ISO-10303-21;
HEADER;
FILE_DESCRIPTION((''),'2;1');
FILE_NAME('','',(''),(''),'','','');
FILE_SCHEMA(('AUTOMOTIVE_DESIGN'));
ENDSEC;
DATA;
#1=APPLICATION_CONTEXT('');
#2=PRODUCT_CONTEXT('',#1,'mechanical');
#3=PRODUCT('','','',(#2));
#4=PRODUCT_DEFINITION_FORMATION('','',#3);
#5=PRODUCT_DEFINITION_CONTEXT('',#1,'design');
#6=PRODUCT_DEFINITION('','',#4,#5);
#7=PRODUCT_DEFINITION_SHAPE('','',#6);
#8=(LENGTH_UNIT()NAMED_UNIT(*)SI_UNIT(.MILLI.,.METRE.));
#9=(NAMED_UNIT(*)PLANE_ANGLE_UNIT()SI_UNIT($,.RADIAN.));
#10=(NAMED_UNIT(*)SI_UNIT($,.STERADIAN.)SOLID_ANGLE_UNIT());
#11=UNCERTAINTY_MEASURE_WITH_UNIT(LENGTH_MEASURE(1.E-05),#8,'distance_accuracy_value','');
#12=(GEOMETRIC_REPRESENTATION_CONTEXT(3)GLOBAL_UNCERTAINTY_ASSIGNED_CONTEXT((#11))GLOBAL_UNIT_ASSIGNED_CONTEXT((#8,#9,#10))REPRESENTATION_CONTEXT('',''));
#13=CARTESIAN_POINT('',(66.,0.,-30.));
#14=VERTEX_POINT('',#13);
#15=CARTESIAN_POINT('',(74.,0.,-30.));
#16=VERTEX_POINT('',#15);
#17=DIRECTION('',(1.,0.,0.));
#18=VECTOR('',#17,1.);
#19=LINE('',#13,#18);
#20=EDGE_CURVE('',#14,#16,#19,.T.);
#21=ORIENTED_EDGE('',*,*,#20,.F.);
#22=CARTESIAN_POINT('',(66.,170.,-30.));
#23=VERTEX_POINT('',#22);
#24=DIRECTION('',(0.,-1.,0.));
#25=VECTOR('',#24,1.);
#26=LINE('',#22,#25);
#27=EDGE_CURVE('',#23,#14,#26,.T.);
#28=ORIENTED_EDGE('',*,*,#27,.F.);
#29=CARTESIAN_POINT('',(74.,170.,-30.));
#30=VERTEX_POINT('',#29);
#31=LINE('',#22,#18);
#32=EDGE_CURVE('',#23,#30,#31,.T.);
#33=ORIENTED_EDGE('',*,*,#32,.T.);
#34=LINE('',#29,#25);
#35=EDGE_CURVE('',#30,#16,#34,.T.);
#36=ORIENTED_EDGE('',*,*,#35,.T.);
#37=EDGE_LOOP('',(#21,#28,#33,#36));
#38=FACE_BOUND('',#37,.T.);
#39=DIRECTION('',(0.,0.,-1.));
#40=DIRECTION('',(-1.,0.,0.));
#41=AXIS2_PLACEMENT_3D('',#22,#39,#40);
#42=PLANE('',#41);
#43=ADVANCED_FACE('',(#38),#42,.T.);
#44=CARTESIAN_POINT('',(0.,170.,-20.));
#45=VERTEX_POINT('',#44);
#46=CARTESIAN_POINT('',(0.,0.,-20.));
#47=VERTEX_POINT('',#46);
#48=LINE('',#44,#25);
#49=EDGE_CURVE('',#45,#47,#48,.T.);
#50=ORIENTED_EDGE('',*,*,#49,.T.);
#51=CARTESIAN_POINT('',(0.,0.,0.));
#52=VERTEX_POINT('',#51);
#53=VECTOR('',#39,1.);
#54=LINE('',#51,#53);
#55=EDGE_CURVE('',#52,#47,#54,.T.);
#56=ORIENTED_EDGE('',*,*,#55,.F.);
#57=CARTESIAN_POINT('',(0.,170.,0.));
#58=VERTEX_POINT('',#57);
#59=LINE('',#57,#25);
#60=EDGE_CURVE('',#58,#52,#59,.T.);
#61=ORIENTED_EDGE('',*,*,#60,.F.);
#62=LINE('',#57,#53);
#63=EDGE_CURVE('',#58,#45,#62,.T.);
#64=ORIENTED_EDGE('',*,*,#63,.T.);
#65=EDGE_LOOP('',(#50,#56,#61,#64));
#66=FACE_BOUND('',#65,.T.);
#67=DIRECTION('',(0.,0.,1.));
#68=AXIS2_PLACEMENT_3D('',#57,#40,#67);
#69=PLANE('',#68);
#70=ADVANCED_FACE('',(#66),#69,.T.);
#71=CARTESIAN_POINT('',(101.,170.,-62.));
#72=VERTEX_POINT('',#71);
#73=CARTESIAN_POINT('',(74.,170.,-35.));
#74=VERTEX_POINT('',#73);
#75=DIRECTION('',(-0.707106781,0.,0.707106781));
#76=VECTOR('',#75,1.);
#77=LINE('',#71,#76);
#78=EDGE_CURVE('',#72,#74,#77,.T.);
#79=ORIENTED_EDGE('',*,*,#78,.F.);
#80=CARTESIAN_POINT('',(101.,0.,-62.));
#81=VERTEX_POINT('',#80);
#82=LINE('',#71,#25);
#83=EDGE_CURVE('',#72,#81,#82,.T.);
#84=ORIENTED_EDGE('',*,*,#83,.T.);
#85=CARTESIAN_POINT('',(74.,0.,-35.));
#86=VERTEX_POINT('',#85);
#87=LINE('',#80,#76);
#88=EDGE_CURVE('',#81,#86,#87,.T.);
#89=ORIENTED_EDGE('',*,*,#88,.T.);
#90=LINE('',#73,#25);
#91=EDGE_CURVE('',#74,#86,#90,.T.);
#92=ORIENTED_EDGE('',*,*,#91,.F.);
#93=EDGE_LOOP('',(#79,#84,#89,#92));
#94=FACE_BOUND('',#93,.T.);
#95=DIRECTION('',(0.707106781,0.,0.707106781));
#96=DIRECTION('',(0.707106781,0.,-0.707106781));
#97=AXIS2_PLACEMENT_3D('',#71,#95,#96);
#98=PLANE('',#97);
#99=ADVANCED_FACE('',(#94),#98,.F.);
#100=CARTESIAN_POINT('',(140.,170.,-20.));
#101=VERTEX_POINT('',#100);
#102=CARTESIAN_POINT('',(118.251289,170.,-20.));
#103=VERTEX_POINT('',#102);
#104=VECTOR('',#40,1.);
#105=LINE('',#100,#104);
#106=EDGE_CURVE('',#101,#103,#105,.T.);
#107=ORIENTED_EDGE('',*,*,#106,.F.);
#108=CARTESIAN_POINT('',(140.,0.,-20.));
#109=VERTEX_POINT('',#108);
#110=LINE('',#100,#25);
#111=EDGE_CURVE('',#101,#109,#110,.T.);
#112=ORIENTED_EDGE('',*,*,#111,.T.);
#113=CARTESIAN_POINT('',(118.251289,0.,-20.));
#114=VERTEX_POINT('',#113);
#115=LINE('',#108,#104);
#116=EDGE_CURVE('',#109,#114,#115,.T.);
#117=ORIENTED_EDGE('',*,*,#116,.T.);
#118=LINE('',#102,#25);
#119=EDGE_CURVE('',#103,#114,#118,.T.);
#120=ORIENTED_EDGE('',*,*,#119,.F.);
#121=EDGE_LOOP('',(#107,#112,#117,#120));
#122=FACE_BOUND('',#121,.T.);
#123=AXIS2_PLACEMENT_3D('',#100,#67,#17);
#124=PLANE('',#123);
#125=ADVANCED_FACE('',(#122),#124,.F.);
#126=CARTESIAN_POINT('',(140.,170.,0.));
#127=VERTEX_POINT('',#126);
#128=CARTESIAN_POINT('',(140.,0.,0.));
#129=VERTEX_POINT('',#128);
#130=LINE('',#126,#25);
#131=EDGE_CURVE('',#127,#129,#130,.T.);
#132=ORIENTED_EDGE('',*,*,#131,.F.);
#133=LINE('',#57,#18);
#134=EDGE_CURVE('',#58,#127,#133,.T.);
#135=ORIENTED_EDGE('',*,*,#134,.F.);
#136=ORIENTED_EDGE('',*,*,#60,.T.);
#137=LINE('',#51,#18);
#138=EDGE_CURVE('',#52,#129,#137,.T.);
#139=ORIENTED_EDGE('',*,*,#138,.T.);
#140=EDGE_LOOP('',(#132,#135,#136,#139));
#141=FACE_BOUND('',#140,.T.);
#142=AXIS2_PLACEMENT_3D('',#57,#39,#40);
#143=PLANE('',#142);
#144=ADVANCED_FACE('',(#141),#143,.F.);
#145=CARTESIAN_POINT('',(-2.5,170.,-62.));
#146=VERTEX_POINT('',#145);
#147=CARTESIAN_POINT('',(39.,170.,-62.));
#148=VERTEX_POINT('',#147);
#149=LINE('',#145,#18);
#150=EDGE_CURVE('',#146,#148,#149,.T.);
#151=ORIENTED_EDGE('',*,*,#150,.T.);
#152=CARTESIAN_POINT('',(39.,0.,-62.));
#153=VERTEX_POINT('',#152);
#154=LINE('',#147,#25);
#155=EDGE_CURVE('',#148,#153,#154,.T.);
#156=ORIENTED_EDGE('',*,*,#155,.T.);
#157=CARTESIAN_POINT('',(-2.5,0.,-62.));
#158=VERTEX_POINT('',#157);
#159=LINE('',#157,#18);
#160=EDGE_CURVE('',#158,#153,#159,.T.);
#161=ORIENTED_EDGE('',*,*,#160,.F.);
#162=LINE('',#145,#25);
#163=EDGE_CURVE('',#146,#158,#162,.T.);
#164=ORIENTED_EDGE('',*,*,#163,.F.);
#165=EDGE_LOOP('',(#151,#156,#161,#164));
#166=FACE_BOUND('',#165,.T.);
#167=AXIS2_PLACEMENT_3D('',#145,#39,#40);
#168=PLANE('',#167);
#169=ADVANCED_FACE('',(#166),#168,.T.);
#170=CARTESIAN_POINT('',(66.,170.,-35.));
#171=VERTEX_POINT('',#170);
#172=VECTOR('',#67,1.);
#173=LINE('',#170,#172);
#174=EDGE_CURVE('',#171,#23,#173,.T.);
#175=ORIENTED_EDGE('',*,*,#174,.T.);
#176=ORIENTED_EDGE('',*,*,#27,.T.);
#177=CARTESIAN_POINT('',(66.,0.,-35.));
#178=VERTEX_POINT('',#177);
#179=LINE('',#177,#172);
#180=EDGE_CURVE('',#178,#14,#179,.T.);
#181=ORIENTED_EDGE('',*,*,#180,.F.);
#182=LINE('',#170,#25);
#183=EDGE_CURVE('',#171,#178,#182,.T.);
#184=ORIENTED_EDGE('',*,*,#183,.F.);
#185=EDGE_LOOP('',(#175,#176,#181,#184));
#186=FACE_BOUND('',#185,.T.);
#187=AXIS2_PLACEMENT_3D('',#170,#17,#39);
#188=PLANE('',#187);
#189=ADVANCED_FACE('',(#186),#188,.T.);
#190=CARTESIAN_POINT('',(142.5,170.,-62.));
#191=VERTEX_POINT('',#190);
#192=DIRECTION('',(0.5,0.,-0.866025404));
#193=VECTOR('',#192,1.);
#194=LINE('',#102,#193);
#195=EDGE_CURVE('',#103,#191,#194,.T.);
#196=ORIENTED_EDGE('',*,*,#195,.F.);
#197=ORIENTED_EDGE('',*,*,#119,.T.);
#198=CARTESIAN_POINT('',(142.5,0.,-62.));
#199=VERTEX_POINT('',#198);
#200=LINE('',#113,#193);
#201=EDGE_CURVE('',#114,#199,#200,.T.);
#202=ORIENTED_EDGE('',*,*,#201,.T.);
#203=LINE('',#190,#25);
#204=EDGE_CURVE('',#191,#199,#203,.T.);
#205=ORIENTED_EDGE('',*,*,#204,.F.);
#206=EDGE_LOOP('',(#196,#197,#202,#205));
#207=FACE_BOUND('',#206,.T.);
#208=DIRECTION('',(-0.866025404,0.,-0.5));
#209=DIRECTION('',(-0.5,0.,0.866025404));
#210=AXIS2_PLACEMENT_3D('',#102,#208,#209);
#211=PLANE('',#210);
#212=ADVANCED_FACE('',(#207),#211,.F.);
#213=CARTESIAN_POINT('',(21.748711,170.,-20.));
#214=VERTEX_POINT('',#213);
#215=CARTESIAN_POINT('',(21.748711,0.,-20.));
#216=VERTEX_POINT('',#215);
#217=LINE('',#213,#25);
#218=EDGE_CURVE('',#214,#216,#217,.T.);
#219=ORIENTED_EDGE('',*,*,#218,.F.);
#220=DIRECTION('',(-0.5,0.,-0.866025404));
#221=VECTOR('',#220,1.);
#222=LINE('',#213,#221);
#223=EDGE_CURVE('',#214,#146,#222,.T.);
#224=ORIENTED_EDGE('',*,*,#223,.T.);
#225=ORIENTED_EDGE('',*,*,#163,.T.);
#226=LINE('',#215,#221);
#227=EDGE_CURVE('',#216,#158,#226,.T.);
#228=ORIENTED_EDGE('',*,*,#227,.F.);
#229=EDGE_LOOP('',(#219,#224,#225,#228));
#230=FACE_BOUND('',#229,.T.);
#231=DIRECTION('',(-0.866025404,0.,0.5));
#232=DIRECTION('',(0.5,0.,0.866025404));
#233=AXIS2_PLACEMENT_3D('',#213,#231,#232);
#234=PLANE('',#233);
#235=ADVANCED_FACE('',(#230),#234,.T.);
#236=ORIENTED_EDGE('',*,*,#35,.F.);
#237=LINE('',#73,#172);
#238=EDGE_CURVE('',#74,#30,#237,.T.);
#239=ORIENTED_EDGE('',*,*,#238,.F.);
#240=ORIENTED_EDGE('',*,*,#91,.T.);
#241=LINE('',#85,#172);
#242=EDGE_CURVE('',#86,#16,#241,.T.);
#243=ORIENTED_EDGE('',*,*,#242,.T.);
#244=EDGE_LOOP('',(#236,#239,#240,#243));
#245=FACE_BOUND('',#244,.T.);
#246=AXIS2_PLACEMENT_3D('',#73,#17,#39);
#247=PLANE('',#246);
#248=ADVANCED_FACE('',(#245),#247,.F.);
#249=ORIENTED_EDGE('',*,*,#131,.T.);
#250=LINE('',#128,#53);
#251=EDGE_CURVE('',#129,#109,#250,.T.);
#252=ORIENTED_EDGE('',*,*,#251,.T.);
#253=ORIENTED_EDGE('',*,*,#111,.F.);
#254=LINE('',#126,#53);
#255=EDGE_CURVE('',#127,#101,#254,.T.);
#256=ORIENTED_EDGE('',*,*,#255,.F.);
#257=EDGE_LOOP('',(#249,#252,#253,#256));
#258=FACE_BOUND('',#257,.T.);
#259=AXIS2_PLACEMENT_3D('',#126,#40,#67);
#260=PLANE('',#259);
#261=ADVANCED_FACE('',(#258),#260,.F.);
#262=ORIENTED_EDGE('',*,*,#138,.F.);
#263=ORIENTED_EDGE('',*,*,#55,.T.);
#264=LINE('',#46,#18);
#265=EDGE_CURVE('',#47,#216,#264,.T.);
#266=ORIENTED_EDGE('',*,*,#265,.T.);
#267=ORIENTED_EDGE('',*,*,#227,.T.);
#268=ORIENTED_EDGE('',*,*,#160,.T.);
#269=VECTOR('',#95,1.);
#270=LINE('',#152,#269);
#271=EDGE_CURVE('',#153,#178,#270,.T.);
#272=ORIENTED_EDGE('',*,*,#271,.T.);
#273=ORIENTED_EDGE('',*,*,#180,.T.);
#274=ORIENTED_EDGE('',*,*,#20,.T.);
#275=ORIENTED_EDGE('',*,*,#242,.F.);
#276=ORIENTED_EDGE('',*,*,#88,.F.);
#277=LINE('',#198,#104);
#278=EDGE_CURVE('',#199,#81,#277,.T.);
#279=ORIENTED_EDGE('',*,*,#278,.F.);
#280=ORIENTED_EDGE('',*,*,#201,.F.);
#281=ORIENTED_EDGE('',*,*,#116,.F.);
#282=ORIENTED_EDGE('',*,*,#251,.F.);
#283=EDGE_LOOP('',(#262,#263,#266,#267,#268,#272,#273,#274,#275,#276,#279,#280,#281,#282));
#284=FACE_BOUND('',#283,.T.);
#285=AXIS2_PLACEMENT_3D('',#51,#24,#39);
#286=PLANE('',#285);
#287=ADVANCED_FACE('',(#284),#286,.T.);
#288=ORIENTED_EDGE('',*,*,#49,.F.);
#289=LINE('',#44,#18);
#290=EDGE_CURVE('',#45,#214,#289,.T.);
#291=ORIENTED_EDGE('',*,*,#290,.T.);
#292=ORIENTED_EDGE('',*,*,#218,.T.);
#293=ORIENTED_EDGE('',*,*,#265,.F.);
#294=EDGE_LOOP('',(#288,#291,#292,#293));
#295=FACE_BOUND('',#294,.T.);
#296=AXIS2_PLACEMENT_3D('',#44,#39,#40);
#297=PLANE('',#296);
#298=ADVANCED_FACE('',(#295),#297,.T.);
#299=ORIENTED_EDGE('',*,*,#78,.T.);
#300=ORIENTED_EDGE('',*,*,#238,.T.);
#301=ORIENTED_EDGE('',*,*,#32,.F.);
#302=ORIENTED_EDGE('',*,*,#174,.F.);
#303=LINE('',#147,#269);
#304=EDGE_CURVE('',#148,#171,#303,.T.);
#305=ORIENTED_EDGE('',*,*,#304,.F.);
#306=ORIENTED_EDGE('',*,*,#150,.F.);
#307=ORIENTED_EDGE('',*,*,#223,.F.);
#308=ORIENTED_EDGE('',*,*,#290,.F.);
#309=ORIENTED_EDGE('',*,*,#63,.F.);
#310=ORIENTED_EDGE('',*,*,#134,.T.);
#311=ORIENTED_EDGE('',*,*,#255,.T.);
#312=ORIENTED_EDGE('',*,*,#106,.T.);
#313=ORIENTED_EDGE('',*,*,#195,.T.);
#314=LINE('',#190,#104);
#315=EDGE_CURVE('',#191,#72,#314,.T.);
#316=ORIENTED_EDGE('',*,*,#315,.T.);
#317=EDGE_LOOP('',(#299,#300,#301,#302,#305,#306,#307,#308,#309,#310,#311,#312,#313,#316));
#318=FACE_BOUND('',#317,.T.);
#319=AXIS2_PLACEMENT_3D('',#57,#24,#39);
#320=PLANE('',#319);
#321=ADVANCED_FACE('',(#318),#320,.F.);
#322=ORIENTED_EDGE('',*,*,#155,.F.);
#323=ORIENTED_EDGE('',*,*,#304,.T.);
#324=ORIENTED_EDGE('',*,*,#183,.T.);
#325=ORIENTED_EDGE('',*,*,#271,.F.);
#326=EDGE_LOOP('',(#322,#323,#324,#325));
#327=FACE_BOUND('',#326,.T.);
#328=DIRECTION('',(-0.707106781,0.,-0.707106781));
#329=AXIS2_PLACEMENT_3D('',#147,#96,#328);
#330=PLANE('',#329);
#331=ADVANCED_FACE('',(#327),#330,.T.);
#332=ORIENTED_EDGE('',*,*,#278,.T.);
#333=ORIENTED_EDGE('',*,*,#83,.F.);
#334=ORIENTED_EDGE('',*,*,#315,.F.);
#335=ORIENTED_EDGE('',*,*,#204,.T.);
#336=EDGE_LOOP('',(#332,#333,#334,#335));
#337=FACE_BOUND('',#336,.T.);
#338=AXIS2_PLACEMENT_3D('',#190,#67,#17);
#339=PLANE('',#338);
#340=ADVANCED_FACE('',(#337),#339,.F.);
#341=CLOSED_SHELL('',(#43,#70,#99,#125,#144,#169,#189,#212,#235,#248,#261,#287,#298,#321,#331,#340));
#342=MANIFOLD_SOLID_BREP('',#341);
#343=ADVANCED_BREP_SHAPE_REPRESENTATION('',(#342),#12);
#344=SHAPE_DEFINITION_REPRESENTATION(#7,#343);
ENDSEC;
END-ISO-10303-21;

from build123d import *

# Parameters (mm, degrees)
P_IDAT_VYSUNUT_M1_DEPTH = 170


with BuildPart() as part:
    # Skica1 → Přidat vysunutím1 (new body)
    with BuildSketch(Plane(origin=(0, 0, 0), x_dir=(1, 0, 0), z_dir=(0, 1, 0))):
        Polygon((0, 0), (0, 20), (21.748711306, 20), (-2.5, 62), (39, 62), (66, 35), (66, 30), (74, 30), (74, 35), (101, 62), (142.5, 62), (118.251288694, 20), (140, 20), (140, 0), align=None)
    extrude(amount=P_IDAT_VYSUNUT_M1_DEPTH)


solid = part.part
